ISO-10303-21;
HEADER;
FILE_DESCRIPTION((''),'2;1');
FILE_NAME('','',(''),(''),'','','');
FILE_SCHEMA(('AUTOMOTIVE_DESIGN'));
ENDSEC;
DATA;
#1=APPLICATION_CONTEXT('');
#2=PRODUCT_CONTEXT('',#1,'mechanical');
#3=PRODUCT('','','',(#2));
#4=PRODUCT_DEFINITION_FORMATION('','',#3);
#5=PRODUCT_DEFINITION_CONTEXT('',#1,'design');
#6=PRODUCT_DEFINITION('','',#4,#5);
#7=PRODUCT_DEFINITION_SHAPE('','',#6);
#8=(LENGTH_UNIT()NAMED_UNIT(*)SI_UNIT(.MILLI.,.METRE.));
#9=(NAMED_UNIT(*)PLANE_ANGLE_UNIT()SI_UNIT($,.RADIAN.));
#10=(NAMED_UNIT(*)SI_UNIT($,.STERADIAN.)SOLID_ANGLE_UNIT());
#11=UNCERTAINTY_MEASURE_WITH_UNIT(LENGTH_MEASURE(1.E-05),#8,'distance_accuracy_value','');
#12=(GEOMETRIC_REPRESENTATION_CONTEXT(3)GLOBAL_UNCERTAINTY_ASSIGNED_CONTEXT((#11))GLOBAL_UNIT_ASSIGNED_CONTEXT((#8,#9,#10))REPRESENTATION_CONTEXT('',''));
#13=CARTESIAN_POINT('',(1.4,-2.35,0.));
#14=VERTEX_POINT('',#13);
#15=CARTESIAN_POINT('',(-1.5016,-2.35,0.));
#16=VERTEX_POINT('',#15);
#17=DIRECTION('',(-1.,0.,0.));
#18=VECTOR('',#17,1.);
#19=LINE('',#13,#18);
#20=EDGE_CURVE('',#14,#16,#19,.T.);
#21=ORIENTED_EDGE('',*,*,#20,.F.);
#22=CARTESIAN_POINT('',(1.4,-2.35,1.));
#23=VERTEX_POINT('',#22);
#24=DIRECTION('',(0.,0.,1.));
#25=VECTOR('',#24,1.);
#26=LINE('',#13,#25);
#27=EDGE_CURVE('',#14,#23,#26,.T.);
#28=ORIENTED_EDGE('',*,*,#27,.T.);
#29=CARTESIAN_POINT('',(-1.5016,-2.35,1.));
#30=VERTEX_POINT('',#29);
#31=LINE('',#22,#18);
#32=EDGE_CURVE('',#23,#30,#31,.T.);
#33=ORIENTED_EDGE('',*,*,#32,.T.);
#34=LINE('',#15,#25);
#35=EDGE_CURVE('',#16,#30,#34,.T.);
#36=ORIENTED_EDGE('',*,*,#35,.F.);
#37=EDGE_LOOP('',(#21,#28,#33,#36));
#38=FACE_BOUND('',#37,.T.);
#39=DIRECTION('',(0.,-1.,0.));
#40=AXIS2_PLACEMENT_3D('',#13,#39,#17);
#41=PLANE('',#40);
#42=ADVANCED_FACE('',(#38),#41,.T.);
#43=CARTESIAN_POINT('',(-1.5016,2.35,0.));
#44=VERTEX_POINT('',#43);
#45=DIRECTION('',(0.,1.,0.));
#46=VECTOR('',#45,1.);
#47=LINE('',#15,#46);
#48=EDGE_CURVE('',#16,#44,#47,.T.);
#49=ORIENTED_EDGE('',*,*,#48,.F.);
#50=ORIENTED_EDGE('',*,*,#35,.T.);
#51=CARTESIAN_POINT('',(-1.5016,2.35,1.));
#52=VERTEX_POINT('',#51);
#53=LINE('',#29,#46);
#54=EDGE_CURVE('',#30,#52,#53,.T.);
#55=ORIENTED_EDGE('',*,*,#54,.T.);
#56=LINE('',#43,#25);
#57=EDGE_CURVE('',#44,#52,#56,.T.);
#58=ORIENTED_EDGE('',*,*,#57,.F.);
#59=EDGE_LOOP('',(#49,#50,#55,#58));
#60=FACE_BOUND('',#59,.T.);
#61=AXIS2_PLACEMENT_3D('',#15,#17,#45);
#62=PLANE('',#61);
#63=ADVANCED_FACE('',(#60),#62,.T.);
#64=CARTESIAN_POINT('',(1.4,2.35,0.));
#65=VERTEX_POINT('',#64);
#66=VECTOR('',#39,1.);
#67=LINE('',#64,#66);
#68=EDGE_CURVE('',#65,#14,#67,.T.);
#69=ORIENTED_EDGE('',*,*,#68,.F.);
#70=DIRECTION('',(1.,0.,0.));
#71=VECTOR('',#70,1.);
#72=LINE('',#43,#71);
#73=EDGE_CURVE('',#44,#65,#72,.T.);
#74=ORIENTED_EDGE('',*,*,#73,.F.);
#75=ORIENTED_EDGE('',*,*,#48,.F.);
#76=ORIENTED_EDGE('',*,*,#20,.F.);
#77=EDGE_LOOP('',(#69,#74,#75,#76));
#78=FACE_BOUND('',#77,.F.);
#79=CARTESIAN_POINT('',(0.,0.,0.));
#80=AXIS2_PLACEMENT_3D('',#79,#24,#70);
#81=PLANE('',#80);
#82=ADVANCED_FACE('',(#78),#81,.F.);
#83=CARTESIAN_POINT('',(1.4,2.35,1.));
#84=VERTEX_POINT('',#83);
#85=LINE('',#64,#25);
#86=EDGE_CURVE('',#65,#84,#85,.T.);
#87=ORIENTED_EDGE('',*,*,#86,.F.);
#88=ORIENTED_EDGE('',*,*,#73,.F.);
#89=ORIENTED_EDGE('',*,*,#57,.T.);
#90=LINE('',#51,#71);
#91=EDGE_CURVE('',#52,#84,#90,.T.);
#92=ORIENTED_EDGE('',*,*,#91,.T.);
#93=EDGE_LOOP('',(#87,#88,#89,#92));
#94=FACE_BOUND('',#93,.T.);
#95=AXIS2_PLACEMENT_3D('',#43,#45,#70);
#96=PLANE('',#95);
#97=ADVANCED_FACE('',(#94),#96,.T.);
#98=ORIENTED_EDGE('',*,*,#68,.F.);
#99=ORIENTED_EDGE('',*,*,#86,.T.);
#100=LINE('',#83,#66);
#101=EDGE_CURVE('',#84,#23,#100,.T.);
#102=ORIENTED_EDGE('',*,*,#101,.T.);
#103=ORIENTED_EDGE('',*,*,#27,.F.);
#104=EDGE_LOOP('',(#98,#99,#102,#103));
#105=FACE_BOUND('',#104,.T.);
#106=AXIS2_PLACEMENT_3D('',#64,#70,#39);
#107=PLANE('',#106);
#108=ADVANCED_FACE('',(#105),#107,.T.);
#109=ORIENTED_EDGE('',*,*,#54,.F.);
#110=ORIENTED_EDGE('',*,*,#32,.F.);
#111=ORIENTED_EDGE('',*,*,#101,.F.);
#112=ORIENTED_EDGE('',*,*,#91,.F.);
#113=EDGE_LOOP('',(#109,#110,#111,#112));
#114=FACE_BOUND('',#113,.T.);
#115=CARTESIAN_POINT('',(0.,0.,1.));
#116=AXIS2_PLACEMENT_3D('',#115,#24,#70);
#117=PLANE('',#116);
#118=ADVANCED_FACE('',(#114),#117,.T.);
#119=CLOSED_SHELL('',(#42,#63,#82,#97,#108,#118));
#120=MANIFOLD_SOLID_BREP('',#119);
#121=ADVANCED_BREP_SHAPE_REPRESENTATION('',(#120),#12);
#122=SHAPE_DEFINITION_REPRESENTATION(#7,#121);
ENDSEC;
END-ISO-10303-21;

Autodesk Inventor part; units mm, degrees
ref_plane "YZ Plane" through (0, 0, 0) normal (1, 0, 0) x (0, 1, 0)
ref_plane "XZ Plane" through (0, 0, 0) normal (0, 1, 0) x (-1, 0, 0)
ref_plane "XY Plane" through (0, 0, 0) normal (0, 0, 1) x (1, 0, 0)
sketch "P-LCC-2, LED_IC_1_STATUS_P-LCC-2_39" plane through (0, 0, 0) normal (0, 0, 1) x (1, 0, 0)
  line L0 (-1.5016, 2.35) -> (1.4, 2.35)
  line L1 (1.4, 2.35) -> (1.4, -2.35)
  line L2 (1.4, -2.35) -> (-1.5016, -2.35)
  line L3 (-1.5016, -2.35) -> (-1.5016, 2.35)
extrude "Extrusion1" add sketch "P-LCC-2, LED_IC_1_STATUS_P-LCC-2_39" along normal blind 1
properties part number "LED_IC_1_STATUS_P-LCC-2"
